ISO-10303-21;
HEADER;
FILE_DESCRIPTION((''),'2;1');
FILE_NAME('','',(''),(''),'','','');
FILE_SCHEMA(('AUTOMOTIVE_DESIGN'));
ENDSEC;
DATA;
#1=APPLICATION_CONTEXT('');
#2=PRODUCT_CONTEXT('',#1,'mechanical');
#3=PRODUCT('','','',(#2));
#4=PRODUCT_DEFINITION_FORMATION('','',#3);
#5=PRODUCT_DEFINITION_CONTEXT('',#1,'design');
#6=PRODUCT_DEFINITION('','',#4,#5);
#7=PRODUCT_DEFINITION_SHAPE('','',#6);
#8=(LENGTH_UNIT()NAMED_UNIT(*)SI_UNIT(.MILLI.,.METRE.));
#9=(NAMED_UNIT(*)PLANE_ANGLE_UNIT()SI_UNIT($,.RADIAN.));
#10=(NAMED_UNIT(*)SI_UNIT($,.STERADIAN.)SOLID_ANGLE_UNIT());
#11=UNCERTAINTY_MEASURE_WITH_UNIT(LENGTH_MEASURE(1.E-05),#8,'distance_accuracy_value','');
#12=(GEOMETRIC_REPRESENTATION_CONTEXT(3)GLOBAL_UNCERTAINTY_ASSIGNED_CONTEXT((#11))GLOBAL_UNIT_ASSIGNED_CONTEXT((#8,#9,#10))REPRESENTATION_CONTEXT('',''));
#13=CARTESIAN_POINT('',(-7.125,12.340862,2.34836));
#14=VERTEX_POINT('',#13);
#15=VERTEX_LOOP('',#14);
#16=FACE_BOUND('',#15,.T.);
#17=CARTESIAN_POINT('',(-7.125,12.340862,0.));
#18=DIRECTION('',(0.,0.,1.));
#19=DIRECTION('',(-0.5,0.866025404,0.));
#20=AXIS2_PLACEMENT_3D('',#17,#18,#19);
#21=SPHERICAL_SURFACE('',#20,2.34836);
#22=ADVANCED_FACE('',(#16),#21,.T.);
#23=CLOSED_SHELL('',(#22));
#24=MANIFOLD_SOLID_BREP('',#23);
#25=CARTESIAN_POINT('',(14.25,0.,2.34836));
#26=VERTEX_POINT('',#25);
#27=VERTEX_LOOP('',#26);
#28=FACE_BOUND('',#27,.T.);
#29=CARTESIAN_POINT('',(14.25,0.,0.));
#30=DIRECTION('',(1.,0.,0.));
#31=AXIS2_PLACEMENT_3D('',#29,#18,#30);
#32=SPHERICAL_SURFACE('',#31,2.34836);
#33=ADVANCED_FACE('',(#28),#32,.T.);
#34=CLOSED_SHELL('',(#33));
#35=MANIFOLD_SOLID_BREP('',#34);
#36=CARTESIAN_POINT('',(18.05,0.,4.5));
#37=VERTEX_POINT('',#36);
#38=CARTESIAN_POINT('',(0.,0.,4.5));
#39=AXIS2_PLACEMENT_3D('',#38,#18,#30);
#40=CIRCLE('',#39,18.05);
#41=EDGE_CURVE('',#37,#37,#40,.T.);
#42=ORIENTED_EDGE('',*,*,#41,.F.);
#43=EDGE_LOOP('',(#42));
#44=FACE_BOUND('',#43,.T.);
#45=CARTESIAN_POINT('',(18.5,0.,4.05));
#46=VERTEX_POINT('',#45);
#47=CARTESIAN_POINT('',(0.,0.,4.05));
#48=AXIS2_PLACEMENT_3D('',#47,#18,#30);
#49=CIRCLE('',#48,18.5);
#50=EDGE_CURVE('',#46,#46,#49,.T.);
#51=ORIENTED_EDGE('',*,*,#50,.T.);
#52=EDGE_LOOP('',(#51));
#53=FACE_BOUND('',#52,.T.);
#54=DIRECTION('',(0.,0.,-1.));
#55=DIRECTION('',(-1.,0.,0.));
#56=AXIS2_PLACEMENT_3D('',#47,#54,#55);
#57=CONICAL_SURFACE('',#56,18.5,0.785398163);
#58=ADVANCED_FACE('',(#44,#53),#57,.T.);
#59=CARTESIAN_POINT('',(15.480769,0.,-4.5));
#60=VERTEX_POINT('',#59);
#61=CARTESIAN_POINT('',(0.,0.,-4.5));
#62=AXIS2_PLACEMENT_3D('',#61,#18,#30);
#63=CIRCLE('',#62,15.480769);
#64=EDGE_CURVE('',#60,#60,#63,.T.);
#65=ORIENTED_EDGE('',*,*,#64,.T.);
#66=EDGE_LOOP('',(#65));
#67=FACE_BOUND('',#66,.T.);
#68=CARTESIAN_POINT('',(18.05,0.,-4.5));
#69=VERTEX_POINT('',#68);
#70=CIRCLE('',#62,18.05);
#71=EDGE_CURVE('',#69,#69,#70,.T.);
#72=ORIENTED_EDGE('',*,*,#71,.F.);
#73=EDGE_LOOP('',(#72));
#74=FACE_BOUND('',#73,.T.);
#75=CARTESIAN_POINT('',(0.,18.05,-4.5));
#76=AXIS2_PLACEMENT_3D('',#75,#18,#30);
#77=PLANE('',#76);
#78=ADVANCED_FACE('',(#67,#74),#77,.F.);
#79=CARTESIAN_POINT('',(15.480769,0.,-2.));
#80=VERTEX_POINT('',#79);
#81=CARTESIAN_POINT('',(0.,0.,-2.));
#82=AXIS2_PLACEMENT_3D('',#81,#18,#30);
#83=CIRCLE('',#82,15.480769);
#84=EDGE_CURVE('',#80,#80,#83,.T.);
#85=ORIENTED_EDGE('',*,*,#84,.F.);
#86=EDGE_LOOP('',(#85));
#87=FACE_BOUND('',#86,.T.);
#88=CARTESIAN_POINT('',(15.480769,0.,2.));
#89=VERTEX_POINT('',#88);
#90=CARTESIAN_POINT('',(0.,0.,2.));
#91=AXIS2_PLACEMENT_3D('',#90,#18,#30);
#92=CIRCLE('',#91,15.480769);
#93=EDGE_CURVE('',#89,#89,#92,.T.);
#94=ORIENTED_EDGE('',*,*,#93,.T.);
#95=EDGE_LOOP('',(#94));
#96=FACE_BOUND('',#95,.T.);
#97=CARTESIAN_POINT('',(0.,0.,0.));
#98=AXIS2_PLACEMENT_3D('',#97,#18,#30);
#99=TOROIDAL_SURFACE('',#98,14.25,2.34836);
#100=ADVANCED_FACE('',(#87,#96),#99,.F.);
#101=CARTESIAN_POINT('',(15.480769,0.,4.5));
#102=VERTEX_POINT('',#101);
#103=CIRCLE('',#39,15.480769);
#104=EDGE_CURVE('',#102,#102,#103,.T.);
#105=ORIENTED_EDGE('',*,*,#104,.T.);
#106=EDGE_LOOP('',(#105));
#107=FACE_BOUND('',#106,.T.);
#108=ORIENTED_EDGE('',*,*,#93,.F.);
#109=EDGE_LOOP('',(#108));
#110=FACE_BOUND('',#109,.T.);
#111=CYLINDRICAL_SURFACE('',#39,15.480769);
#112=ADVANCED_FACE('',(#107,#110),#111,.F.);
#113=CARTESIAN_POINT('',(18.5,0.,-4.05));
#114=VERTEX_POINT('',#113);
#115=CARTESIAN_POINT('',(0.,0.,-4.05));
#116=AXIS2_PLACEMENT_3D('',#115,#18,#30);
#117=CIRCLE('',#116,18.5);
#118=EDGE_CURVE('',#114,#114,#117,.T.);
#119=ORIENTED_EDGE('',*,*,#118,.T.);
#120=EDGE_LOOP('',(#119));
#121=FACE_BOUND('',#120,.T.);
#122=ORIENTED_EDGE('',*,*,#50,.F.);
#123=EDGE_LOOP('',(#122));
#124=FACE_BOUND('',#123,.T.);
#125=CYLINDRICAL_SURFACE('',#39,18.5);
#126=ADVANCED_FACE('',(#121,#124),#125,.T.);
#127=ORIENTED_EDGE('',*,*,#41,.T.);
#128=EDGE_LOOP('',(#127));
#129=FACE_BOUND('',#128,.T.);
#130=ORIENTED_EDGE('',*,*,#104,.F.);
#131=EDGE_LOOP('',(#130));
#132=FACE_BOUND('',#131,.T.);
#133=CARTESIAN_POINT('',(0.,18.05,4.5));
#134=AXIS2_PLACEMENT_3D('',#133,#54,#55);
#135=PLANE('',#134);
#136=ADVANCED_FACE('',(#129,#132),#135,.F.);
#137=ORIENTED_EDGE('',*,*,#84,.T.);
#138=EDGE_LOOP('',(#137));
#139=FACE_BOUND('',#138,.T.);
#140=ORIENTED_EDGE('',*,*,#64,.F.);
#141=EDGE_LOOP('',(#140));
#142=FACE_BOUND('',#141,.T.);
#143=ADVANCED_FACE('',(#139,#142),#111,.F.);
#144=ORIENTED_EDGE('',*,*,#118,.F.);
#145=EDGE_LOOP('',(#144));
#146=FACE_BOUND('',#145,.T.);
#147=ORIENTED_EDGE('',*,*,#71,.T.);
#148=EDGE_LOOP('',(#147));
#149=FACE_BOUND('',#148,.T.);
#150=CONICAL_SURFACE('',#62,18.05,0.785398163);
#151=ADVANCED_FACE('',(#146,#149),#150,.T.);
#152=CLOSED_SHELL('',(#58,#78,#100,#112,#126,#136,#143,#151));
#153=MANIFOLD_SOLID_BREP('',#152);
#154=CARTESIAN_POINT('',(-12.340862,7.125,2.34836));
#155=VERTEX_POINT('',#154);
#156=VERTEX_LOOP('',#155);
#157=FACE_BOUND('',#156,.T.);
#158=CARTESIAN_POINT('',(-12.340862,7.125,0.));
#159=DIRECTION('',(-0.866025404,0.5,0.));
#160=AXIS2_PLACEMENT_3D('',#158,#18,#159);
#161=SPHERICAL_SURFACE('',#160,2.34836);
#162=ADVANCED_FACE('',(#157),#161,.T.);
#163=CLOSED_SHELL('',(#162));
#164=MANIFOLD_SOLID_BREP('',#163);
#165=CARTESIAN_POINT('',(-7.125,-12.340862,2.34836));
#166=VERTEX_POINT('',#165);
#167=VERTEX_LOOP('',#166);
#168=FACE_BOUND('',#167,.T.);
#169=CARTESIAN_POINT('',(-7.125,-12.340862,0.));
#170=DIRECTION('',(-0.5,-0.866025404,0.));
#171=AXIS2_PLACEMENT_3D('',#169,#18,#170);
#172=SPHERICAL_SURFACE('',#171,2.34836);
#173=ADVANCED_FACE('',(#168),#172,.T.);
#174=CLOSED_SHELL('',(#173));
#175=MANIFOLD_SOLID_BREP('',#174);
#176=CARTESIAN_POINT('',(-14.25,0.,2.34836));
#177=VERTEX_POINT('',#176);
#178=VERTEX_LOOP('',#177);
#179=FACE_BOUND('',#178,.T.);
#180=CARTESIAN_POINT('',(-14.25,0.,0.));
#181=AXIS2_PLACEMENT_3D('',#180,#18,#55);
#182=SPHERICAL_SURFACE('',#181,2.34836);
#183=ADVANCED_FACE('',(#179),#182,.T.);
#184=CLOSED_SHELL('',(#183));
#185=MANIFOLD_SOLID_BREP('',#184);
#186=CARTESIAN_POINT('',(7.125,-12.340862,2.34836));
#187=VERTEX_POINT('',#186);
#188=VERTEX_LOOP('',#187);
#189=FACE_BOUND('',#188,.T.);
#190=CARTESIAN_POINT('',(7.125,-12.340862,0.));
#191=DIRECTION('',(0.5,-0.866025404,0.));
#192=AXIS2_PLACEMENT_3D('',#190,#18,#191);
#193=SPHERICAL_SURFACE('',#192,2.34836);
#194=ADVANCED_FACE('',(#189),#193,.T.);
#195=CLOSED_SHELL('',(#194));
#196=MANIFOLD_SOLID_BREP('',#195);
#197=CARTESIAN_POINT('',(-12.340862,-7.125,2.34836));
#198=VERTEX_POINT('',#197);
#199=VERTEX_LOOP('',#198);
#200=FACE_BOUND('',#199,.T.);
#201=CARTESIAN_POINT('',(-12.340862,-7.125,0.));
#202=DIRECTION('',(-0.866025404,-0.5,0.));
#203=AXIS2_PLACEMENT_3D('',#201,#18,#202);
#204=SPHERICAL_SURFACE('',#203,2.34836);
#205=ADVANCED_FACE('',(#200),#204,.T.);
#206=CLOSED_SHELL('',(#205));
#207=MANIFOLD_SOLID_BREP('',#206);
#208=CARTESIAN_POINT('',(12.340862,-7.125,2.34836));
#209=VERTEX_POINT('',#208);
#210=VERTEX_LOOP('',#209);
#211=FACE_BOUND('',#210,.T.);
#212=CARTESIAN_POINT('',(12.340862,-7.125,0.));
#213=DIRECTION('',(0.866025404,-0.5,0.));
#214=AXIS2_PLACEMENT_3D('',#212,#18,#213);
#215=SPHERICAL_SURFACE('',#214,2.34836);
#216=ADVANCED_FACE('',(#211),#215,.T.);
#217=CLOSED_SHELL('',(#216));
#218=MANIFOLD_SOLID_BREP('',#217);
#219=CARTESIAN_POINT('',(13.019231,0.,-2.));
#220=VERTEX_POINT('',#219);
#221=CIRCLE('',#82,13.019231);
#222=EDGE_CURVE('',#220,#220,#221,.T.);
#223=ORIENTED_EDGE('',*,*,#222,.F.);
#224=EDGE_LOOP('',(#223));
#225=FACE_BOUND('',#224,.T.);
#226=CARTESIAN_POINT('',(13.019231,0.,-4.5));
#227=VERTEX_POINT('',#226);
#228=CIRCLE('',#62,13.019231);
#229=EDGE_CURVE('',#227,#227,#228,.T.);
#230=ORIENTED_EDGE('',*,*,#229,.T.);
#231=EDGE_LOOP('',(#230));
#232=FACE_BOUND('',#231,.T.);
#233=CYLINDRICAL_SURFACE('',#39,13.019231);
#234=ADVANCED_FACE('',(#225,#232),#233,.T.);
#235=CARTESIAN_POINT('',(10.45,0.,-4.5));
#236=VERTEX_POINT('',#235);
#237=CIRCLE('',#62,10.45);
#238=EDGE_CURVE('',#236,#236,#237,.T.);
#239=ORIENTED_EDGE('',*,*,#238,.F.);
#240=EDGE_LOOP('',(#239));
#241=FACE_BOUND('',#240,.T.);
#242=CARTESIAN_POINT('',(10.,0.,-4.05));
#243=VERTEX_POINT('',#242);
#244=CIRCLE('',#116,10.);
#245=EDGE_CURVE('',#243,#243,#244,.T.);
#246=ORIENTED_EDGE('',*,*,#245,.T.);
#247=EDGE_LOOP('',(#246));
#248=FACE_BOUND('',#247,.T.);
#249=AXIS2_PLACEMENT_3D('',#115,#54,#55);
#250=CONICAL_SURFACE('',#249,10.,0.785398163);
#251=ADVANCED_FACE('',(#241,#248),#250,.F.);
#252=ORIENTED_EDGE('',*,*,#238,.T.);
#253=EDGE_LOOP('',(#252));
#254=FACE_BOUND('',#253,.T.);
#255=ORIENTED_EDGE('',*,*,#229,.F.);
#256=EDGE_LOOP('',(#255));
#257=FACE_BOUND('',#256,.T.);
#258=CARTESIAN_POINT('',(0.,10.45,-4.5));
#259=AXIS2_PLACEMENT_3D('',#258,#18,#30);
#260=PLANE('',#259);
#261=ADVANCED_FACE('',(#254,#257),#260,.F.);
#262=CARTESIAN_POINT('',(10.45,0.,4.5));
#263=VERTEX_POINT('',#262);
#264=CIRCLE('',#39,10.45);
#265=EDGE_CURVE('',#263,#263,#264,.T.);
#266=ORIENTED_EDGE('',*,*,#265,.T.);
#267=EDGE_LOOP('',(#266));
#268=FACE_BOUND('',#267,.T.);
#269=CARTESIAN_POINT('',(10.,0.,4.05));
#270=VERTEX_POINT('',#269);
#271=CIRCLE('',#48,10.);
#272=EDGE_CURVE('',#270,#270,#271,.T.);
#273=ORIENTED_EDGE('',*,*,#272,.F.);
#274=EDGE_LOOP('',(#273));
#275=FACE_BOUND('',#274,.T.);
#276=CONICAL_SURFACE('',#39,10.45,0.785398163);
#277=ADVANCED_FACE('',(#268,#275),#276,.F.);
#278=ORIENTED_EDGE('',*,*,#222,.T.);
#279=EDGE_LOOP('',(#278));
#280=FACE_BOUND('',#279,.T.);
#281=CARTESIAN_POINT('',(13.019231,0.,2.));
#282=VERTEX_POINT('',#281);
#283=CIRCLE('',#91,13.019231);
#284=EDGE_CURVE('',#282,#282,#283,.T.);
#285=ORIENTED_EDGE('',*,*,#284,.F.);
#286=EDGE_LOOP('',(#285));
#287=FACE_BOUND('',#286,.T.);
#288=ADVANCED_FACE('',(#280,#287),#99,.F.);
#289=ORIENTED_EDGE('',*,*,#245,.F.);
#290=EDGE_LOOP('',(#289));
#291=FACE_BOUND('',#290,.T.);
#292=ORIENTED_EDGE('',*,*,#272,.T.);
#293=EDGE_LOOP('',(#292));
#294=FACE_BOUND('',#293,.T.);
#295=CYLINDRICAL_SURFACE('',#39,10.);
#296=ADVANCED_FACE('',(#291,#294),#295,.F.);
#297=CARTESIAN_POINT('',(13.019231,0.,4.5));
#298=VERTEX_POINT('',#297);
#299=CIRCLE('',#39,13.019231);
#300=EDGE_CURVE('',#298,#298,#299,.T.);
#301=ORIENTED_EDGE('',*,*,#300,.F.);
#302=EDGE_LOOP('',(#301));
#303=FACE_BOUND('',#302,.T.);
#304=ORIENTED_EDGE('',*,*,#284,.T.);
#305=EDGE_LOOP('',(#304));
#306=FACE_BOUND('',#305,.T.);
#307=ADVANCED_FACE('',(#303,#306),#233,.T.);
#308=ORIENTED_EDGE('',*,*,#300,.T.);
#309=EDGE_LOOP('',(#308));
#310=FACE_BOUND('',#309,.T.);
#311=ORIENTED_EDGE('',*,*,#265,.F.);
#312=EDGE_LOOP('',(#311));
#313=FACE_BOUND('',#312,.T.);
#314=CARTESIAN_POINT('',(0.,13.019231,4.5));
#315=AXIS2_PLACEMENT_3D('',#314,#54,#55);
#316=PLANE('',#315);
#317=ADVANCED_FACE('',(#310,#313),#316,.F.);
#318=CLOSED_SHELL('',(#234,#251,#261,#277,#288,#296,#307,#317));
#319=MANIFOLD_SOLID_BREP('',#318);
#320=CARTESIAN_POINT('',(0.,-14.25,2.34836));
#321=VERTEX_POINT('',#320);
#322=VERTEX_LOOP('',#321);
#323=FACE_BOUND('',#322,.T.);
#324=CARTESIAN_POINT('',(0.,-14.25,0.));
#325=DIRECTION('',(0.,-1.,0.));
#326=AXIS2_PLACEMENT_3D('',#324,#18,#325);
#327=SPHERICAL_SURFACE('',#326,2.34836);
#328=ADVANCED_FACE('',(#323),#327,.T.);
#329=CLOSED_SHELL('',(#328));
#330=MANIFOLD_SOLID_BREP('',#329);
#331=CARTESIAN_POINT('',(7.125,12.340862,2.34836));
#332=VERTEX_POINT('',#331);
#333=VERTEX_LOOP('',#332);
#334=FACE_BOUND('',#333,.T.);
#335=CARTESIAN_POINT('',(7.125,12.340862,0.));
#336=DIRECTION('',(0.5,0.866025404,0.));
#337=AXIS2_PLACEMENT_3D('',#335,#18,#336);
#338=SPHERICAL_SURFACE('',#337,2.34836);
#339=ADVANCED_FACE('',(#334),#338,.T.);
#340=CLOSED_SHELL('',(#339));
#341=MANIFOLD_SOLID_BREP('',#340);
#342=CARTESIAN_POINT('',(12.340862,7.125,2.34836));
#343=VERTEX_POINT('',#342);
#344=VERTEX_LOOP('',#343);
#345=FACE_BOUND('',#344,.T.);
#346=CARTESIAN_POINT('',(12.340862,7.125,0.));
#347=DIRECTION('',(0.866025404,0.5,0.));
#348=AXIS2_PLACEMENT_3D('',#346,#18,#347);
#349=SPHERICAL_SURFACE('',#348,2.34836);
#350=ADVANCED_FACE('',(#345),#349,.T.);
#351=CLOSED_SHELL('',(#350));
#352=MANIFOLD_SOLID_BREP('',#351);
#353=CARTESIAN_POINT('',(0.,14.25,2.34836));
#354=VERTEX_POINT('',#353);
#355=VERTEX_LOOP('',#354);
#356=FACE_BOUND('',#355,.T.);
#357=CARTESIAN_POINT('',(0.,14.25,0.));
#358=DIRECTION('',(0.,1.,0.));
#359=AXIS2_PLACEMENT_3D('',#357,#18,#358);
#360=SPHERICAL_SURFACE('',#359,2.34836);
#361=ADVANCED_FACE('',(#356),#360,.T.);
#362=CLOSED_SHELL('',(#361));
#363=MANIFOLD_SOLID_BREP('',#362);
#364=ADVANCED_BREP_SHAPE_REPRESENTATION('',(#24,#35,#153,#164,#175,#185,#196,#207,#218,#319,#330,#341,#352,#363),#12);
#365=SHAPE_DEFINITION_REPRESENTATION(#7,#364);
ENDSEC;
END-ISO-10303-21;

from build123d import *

# Parameters (mm, degrees)
CIRPATTERN1_COUNT = 12


with BuildPart() as part:
    # Sketch1 → Revolve1 (revolve)
    with BuildSketch(Plane(origin=(0, 0, 0), x_dir=(0, 0, -1), z_dir=(1, 0, 0))):
        with BuildLine():
            Line((4.05, 18.5), (-4.05, 18.5))
            Line((-4.05, 18.5), (-4.5, 18.05))
            Line((-4.5, 18.05), (-4.5, 15.480769231))
            Line((-4.5, 15.480769231), (-2, 15.480769231))
            ThreePointArc((-2, 15.480769231), (0, 16.598359619), (2, 15.480769231))
            Line((2, 15.480769231), (4.5, 15.480769231))
            Line((4.5, 15.480769231), (4.5, 18.05))
            Line((4.5, 18.05), (4.05, 18.5))
        make_face()
    revolve(axis=Axis((0, 0, 4.5), (0, 0, -1)))


with BuildPart() as body_2:
    # Sketch3 → Revolve3 (revolve)
    with BuildSketch(Plane(origin=(0, 0, 0), x_dir=(0, 0, -1), z_dir=(1, 0, 0))):
        with BuildLine():
            Line((-4.5, 13.019230769), (-2, 13.019230769))
            ThreePointArc((-2, 13.019230769), (0, 11.901640381), (2, 13.019230769))
            Line((2, 13.019230769), (4.5, 13.019230769))
            Line((4.5, 13.019230769), (4.5, 10.45))
            Line((4.5, 10.45), (4.05, 10))
            Line((4.05, 10), (-4.05, 10))
            Line((-4.05, 10), (-4.5, 10.45))
            Line((-4.5, 10.45), (-4.5, 13.019230769))
        make_face()
    revolve(axis=Axis((0, 0, 4.5), (0, 0, -1)))


with BuildPart() as body_3:
    # Sketch4 → Revolve4 (revolve)
    with BuildSketch(Plane(origin=(0, 0, 0), x_dir=(0, 0, -1), z_dir=(1, 0, 0))):
        with BuildLine():
            Line((-2.348359619, 14.25), (2.348359619, 14.25))
            ThreePointArc((2.348359619, 14.25), (0, 16.598359619), (-2.348359619, 14.25))
        make_face()
    revolve(axis=Axis((0, 14.25, 2.348359619), (0, 0, -1)))


with BuildPart() as cirpattern1_1:
    # CirPattern1: pattern copy
    add(body_3.part.rotate(Axis((0, 0, -4.5), (0, 0, 1)), 1 * 360 / CIRPATTERN1_COUNT))


with BuildPart() as cirpattern1_2:
    # CirPattern1: pattern copy
    add(body_3.part.rotate(Axis((0, 0, -4.5), (0, 0, 1)), 2 * 360 / CIRPATTERN1_COUNT))


with BuildPart() as cirpattern1_3:
    # CirPattern1: pattern copy
    add(body_3.part.rotate(Axis((0, 0, -4.5), (0, 0, 1)), 3 * 360 / CIRPATTERN1_COUNT))


with BuildPart() as cirpattern1_4:
    # CirPattern1: pattern copy
    add(body_3.part.rotate(Axis((0, 0, -4.5), (0, 0, 1)), 4 * 360 / CIRPATTERN1_COUNT))


with BuildPart() as cirpattern1_5:
    # CirPattern1: pattern copy
    add(body_3.part.rotate(Axis((0, 0, -4.5), (0, 0, 1)), 5 * 360 / CIRPATTERN1_COUNT))


with BuildPart() as cirpattern1_6:
    # CirPattern1: pattern copy
    add(body_3.part.rotate(Axis((0, 0, -4.5), (0, 0, 1)), 6 * 360 / CIRPATTERN1_COUNT))


with BuildPart() as cirpattern1_7:
    # CirPattern1: pattern copy
    add(body_3.part.rotate(Axis((0, 0, -4.5), (0, 0, 1)), 7 * 360 / CIRPATTERN1_COUNT))


with BuildPart() as cirpattern1_8:
    # CirPattern1: pattern copy
    add(body_3.part.rotate(Axis((0, 0, -4.5), (0, 0, 1)), 8 * 360 / CIRPATTERN1_COUNT))


with BuildPart() as cirpattern1_9:
    # CirPattern1: pattern copy
    add(body_3.part.rotate(Axis((0, 0, -4.5), (0, 0, 1)), 9 * 360 / CIRPATTERN1_COUNT))


with BuildPart() as cirpattern1_10:
    # CirPattern1: pattern copy
    add(body_3.part.rotate(Axis((0, 0, -4.5), (0, 0, 1)), 10 * 360 / CIRPATTERN1_COUNT))


with BuildPart() as cirpattern1_11:
    # CirPattern1: pattern copy
    add(body_3.part.rotate(Axis((0, 0, -4.5), (0, 0, 1)), 11 * 360 / CIRPATTERN1_COUNT))


solid = Compound([part.part, body_2.part, body_3.part, cirpattern1_1.part, cirpattern1_2.part, cirpattern1_3.part, cirpattern1_4.part, cirpattern1_5.part, cirpattern1_6.part, cirpattern1_7.part, cirpattern1_8.part, cirpattern1_9.part, cirpattern1_10.part, cirpattern1_11.part])
